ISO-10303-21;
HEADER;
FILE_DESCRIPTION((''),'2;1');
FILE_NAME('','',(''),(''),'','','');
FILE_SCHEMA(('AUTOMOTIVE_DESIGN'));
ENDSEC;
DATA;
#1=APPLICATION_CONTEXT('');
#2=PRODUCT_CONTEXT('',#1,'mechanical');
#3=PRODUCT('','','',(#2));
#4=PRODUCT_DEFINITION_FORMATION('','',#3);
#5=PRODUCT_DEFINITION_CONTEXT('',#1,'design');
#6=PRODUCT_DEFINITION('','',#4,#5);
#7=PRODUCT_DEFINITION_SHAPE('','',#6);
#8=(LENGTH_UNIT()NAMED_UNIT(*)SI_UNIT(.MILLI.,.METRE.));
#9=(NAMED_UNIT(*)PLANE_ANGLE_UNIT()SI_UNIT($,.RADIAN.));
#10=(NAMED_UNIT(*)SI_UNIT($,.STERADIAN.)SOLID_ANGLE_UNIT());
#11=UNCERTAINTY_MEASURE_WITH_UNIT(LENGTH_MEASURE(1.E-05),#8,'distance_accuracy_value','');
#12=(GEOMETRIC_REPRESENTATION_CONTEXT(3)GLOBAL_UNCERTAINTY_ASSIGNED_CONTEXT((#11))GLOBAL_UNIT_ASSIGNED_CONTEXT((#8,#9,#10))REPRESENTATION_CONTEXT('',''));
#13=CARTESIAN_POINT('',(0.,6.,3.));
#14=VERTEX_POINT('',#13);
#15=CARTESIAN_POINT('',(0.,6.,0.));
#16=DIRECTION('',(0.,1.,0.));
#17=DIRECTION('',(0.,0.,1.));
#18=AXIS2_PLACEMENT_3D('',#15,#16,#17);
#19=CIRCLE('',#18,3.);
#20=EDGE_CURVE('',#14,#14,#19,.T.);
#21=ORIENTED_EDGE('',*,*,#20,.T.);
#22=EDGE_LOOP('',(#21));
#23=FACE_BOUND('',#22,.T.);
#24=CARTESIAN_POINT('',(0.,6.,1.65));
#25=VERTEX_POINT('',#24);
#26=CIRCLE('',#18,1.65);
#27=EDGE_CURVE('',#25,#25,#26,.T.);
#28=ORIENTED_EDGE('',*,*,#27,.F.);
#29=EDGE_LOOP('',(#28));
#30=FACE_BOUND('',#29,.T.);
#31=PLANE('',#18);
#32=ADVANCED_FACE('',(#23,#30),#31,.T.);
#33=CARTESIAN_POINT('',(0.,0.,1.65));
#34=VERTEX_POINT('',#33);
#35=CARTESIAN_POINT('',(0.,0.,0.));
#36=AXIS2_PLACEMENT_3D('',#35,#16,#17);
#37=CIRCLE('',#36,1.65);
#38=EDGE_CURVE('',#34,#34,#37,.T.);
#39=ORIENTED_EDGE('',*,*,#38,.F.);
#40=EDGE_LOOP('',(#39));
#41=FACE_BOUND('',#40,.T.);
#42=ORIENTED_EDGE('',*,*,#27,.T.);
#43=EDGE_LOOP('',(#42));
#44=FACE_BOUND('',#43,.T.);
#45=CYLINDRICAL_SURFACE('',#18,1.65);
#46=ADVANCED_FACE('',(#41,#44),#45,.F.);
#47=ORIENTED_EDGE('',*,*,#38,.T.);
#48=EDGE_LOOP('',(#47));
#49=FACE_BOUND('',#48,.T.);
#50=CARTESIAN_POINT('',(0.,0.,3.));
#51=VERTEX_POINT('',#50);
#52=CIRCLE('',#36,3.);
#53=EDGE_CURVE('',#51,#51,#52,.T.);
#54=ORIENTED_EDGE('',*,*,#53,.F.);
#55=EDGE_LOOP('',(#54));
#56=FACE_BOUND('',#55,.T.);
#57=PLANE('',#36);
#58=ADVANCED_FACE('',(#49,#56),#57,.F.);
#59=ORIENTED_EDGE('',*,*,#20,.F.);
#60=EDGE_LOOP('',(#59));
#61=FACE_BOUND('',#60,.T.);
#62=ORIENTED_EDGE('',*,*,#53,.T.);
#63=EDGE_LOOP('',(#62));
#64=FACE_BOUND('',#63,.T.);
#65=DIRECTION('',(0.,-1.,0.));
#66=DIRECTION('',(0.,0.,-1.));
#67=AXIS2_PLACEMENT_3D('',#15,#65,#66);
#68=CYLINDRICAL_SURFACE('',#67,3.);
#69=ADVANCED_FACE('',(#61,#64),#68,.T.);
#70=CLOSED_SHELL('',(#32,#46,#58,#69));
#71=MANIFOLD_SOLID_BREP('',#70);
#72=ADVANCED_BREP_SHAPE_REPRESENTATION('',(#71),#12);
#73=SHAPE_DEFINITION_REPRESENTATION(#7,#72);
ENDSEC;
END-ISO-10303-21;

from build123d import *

# Parameters (mm, degrees)
SKETCH1_R             = 3
BOSS_EXTRUDE1_DEPTH   = 6
M4X0_7_TAPPED_HOLE1_D = 3.3


with BuildPart() as part:
    # Sketch1 → Boss-Extrude1 (new body)
    with BuildSketch(Plane(origin=(0, 0, 0), x_dir=(1, 0, 0), z_dir=(0, 1, 0))):
        with Locations(Location((0, 0, 0), (0, 0, 270))):
            Circle(SKETCH1_R)
    extrude(amount=BOSS_EXTRUDE1_DEPTH)

    # M4x0.7 Tapped Hole1 (through all)
    with Locations(Plane(origin=(0, 6, 0), x_dir=(1, 0, 0), z_dir=(0, 1, 0))):
        with Locations((0, 0)):
            Hole(M4X0_7_TAPPED_HOLE1_D / 2)


solid = part.part
